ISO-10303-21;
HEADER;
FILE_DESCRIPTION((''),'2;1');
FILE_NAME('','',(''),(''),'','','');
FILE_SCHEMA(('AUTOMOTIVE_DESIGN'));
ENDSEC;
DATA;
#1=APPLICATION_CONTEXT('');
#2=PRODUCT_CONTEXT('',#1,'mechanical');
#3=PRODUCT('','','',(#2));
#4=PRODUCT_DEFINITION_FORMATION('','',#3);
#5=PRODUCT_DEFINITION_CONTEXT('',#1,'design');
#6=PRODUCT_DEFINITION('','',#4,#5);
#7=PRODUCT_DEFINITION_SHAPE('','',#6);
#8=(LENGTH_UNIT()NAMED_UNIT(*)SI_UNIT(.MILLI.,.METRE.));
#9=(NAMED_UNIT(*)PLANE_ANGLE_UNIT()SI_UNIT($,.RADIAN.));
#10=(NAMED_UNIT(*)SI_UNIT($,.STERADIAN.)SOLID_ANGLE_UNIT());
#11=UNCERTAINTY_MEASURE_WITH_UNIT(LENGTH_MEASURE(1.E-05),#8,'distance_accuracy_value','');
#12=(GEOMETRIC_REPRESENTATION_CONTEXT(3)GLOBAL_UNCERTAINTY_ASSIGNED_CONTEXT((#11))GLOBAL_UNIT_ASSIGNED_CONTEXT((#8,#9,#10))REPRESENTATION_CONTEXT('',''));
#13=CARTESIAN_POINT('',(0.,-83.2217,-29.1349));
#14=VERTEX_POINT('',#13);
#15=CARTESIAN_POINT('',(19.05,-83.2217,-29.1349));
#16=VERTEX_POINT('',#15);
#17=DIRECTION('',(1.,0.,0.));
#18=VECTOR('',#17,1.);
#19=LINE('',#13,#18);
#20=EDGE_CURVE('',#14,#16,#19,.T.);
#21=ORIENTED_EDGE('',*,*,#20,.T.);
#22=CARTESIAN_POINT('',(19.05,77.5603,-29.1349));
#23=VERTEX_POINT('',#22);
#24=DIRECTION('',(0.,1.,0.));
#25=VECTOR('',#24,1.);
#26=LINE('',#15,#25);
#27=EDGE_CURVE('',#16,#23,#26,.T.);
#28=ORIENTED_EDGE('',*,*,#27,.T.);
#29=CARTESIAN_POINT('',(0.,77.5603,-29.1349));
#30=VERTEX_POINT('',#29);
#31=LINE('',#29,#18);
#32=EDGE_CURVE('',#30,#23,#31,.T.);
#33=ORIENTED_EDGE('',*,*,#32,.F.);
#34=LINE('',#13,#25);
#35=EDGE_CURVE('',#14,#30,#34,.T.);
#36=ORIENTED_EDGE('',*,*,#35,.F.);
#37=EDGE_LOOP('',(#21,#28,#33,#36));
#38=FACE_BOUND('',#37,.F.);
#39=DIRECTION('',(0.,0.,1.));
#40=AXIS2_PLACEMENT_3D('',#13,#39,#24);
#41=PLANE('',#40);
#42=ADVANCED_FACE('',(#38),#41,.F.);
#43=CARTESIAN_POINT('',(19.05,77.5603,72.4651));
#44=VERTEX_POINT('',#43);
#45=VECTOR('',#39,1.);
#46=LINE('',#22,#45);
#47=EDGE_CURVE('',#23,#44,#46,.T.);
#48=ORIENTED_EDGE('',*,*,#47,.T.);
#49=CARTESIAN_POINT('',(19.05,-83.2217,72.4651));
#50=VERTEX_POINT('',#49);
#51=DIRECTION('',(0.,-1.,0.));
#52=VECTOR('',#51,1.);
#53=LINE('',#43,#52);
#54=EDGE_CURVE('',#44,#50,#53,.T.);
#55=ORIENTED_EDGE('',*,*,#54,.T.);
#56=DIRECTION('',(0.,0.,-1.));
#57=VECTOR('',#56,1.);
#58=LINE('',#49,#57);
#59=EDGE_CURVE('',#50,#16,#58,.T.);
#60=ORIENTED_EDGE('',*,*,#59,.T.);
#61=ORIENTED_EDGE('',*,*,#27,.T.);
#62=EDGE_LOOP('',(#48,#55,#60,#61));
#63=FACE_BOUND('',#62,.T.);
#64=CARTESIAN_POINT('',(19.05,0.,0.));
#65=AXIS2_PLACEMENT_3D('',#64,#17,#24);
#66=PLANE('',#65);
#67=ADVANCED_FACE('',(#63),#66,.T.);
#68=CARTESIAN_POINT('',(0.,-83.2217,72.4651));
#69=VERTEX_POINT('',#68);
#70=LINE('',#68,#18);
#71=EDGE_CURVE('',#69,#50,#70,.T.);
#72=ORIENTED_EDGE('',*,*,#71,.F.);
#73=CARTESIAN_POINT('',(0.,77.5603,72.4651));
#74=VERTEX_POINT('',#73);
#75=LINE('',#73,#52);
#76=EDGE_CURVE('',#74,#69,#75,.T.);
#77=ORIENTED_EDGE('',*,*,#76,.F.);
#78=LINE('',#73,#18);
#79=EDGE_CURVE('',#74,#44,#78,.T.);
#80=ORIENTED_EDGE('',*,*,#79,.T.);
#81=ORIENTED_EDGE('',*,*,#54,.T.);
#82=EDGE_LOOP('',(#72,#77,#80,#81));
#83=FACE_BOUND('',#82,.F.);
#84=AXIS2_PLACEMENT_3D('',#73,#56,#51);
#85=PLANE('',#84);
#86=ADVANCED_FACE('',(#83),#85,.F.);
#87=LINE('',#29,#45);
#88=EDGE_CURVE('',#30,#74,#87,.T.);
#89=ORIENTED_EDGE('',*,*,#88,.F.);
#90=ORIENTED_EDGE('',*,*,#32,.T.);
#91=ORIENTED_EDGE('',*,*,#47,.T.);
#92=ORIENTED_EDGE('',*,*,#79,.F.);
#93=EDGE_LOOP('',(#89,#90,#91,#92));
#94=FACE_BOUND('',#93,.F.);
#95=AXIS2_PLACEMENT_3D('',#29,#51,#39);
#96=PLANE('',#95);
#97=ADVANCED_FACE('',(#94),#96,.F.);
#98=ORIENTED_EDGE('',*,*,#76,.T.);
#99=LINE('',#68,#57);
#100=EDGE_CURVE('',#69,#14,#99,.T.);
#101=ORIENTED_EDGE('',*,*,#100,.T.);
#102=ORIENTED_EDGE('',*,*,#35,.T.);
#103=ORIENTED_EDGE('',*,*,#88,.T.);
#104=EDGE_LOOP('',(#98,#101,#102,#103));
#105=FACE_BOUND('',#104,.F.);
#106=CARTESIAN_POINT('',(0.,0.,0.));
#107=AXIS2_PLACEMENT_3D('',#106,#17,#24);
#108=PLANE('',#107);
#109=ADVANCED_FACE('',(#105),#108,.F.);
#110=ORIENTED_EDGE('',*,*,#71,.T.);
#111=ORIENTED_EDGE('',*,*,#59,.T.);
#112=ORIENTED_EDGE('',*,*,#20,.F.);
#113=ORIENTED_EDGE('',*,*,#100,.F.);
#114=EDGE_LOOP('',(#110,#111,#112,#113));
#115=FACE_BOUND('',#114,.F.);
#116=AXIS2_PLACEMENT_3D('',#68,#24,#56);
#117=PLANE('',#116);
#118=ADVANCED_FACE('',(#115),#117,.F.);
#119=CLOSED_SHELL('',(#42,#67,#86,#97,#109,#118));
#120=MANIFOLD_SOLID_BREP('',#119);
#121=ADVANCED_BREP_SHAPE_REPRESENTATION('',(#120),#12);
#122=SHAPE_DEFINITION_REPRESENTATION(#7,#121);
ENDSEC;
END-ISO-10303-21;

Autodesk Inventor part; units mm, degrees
ref_plane "YZ Plane" through (0, 0, 0) normal (1, 0, 0) x (0, 1, 0)
ref_plane "XZ Plane" through (0, 0, 0) normal (0, 1, 0) x (-1, 0, 0)
ref_plane "XY Plane" through (0, 0, 0) normal (0, 0, 1) x (1, 0, 0)
sketch "Sketch1" plane through (0, 0, 0) normal (1, 0, 0) x (0, 1, 0)
  line L0 (77.5603, 72.4651) -> (-83.2217, 72.4651)
  line L1 (-83.2217, 72.4651) -> (-83.2217, -29.1349)
  line L2 (-83.2217, -29.1349) -> (77.5603, -29.1349)
  line L3 (77.5603, -29.1349) -> (77.5603, 72.4651)
  point P0 (0, 0)
  dimension "d0" = 160.782
  dimension "d1" = 101.6
extrude "Extrusion1" add sketch "Sketch1" along normal blind 19.05
properties part number "TallSidePlate"
